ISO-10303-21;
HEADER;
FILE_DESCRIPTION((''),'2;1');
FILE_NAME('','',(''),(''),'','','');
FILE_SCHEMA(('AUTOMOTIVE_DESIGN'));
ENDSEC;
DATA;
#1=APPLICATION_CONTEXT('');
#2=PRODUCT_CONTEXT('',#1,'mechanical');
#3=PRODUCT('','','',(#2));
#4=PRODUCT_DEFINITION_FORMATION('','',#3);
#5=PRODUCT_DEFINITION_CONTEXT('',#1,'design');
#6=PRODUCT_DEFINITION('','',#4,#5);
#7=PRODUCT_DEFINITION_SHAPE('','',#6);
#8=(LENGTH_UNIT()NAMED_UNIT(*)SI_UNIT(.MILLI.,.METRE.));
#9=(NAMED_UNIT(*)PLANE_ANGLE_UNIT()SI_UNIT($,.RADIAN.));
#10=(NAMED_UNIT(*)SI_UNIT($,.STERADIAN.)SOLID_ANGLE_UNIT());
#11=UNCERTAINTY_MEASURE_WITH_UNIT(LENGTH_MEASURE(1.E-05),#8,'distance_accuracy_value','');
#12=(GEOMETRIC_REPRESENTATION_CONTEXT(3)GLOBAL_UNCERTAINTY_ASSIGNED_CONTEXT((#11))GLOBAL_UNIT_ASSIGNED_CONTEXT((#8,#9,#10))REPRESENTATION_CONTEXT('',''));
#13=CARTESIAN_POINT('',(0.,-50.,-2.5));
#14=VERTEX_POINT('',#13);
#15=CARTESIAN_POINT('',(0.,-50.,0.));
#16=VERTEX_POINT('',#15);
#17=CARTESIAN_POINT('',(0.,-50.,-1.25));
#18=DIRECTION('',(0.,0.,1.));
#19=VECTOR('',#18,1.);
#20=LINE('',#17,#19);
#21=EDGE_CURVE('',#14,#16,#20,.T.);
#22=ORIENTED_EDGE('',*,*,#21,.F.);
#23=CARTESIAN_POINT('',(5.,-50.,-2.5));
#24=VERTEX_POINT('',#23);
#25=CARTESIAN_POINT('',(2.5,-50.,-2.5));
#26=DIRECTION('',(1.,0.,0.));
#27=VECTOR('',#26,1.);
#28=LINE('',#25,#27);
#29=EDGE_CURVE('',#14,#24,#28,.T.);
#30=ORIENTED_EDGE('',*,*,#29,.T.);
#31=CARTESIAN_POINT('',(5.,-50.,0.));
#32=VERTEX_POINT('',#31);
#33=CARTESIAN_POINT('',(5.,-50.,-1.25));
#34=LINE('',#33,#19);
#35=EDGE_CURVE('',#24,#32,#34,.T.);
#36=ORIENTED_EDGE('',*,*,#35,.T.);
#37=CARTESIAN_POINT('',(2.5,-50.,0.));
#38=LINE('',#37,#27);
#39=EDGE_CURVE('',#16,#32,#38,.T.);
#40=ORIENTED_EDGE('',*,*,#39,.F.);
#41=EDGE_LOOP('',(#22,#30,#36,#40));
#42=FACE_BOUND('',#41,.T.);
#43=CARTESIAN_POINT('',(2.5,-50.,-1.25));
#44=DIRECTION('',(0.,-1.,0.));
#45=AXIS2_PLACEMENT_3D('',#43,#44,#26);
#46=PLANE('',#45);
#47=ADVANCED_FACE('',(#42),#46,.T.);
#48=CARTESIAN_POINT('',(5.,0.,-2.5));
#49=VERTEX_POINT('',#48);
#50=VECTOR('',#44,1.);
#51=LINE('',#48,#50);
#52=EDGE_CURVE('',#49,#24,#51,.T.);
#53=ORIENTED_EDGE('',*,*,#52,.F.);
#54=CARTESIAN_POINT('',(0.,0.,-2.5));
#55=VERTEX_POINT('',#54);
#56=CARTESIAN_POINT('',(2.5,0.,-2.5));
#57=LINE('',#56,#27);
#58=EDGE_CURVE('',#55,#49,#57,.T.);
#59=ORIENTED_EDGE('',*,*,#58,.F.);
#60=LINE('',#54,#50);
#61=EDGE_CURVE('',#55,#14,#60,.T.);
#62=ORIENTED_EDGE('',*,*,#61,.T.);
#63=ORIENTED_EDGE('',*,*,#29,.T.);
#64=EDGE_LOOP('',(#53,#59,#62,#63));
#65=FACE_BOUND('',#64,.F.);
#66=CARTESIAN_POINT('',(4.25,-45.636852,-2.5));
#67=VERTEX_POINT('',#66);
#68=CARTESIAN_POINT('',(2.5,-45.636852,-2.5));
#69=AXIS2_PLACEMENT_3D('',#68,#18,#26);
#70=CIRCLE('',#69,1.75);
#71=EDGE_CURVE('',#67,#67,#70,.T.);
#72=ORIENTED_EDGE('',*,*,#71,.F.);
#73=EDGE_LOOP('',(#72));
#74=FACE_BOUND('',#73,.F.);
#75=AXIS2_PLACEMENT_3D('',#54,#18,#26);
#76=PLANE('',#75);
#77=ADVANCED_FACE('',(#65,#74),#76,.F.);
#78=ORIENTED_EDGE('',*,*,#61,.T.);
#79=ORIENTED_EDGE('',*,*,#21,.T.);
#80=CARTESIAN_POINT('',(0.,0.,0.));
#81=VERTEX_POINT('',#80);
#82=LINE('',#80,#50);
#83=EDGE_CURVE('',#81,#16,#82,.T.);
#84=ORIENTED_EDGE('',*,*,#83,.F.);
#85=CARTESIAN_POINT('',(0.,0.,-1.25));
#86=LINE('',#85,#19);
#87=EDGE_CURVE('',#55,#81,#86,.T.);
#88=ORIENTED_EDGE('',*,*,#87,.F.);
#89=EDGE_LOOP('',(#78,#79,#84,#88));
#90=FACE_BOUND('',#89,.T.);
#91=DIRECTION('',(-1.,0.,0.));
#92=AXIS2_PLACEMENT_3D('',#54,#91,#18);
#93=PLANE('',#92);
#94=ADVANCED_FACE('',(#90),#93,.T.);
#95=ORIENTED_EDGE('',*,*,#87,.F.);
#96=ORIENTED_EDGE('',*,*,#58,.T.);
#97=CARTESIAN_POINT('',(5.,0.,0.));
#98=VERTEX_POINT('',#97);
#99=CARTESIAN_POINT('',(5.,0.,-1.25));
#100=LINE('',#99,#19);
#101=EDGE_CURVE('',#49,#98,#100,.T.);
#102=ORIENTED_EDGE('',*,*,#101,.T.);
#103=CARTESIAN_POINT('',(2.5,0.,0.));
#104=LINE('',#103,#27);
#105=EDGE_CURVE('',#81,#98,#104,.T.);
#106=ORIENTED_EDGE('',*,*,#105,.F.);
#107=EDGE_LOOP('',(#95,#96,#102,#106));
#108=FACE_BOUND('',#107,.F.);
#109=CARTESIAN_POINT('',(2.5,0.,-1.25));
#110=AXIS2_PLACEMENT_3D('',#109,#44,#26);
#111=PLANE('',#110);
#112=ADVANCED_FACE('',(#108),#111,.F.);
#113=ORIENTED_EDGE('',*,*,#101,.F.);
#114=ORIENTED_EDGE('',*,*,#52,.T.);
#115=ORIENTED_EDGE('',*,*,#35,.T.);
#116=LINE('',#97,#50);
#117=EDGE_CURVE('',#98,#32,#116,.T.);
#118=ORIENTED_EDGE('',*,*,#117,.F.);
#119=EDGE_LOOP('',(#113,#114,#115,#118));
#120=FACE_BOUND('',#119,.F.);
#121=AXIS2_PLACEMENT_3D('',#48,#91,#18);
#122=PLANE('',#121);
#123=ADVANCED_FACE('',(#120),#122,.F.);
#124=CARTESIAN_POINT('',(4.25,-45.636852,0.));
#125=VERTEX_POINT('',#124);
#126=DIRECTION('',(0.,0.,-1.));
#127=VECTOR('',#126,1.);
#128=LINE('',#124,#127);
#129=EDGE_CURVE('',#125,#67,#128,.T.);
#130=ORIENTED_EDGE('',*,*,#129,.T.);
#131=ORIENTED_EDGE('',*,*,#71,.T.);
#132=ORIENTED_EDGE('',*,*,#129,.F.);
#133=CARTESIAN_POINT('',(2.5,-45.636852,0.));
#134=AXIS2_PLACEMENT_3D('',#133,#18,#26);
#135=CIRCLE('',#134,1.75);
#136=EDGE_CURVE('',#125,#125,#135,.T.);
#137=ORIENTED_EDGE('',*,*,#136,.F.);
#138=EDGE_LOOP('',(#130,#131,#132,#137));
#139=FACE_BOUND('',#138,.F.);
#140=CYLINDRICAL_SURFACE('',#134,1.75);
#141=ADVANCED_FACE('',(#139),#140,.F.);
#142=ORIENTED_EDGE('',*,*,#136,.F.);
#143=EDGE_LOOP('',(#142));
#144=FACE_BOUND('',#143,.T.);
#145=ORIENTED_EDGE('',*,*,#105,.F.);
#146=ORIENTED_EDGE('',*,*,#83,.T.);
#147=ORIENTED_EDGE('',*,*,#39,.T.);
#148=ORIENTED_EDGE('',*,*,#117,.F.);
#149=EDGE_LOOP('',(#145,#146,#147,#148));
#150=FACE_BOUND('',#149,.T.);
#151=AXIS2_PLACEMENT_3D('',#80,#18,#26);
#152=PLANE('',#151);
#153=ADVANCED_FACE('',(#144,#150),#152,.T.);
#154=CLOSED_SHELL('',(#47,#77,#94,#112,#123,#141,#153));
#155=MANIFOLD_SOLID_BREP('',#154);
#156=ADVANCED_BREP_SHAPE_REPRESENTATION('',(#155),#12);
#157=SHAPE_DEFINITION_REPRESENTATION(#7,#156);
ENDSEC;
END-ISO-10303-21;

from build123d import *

# Parameters (mm, degrees)
F0_W     = 5
F0_H     = 2.5
F1_DEPTH = 50
F2_R     = 1.75
F3_DEPTH = 25


with BuildPart() as f1:
    # F0 (on Front) → F1 (new body)
    with BuildSketch(Plane.XZ):
        with Locations((2.5, -1.25)):
            Rectangle(F0_W, F0_H)
    extrude(amount=F1_DEPTH)

    # F2 (on face) → F3 (cut)
    with BuildSketch(Plane.XY):
        with Locations((2.5, -45.636852)):
            Circle(F2_R)
    extrude(amount=-F3_DEPTH, mode=Mode.SUBTRACT)


solid = f1.part
